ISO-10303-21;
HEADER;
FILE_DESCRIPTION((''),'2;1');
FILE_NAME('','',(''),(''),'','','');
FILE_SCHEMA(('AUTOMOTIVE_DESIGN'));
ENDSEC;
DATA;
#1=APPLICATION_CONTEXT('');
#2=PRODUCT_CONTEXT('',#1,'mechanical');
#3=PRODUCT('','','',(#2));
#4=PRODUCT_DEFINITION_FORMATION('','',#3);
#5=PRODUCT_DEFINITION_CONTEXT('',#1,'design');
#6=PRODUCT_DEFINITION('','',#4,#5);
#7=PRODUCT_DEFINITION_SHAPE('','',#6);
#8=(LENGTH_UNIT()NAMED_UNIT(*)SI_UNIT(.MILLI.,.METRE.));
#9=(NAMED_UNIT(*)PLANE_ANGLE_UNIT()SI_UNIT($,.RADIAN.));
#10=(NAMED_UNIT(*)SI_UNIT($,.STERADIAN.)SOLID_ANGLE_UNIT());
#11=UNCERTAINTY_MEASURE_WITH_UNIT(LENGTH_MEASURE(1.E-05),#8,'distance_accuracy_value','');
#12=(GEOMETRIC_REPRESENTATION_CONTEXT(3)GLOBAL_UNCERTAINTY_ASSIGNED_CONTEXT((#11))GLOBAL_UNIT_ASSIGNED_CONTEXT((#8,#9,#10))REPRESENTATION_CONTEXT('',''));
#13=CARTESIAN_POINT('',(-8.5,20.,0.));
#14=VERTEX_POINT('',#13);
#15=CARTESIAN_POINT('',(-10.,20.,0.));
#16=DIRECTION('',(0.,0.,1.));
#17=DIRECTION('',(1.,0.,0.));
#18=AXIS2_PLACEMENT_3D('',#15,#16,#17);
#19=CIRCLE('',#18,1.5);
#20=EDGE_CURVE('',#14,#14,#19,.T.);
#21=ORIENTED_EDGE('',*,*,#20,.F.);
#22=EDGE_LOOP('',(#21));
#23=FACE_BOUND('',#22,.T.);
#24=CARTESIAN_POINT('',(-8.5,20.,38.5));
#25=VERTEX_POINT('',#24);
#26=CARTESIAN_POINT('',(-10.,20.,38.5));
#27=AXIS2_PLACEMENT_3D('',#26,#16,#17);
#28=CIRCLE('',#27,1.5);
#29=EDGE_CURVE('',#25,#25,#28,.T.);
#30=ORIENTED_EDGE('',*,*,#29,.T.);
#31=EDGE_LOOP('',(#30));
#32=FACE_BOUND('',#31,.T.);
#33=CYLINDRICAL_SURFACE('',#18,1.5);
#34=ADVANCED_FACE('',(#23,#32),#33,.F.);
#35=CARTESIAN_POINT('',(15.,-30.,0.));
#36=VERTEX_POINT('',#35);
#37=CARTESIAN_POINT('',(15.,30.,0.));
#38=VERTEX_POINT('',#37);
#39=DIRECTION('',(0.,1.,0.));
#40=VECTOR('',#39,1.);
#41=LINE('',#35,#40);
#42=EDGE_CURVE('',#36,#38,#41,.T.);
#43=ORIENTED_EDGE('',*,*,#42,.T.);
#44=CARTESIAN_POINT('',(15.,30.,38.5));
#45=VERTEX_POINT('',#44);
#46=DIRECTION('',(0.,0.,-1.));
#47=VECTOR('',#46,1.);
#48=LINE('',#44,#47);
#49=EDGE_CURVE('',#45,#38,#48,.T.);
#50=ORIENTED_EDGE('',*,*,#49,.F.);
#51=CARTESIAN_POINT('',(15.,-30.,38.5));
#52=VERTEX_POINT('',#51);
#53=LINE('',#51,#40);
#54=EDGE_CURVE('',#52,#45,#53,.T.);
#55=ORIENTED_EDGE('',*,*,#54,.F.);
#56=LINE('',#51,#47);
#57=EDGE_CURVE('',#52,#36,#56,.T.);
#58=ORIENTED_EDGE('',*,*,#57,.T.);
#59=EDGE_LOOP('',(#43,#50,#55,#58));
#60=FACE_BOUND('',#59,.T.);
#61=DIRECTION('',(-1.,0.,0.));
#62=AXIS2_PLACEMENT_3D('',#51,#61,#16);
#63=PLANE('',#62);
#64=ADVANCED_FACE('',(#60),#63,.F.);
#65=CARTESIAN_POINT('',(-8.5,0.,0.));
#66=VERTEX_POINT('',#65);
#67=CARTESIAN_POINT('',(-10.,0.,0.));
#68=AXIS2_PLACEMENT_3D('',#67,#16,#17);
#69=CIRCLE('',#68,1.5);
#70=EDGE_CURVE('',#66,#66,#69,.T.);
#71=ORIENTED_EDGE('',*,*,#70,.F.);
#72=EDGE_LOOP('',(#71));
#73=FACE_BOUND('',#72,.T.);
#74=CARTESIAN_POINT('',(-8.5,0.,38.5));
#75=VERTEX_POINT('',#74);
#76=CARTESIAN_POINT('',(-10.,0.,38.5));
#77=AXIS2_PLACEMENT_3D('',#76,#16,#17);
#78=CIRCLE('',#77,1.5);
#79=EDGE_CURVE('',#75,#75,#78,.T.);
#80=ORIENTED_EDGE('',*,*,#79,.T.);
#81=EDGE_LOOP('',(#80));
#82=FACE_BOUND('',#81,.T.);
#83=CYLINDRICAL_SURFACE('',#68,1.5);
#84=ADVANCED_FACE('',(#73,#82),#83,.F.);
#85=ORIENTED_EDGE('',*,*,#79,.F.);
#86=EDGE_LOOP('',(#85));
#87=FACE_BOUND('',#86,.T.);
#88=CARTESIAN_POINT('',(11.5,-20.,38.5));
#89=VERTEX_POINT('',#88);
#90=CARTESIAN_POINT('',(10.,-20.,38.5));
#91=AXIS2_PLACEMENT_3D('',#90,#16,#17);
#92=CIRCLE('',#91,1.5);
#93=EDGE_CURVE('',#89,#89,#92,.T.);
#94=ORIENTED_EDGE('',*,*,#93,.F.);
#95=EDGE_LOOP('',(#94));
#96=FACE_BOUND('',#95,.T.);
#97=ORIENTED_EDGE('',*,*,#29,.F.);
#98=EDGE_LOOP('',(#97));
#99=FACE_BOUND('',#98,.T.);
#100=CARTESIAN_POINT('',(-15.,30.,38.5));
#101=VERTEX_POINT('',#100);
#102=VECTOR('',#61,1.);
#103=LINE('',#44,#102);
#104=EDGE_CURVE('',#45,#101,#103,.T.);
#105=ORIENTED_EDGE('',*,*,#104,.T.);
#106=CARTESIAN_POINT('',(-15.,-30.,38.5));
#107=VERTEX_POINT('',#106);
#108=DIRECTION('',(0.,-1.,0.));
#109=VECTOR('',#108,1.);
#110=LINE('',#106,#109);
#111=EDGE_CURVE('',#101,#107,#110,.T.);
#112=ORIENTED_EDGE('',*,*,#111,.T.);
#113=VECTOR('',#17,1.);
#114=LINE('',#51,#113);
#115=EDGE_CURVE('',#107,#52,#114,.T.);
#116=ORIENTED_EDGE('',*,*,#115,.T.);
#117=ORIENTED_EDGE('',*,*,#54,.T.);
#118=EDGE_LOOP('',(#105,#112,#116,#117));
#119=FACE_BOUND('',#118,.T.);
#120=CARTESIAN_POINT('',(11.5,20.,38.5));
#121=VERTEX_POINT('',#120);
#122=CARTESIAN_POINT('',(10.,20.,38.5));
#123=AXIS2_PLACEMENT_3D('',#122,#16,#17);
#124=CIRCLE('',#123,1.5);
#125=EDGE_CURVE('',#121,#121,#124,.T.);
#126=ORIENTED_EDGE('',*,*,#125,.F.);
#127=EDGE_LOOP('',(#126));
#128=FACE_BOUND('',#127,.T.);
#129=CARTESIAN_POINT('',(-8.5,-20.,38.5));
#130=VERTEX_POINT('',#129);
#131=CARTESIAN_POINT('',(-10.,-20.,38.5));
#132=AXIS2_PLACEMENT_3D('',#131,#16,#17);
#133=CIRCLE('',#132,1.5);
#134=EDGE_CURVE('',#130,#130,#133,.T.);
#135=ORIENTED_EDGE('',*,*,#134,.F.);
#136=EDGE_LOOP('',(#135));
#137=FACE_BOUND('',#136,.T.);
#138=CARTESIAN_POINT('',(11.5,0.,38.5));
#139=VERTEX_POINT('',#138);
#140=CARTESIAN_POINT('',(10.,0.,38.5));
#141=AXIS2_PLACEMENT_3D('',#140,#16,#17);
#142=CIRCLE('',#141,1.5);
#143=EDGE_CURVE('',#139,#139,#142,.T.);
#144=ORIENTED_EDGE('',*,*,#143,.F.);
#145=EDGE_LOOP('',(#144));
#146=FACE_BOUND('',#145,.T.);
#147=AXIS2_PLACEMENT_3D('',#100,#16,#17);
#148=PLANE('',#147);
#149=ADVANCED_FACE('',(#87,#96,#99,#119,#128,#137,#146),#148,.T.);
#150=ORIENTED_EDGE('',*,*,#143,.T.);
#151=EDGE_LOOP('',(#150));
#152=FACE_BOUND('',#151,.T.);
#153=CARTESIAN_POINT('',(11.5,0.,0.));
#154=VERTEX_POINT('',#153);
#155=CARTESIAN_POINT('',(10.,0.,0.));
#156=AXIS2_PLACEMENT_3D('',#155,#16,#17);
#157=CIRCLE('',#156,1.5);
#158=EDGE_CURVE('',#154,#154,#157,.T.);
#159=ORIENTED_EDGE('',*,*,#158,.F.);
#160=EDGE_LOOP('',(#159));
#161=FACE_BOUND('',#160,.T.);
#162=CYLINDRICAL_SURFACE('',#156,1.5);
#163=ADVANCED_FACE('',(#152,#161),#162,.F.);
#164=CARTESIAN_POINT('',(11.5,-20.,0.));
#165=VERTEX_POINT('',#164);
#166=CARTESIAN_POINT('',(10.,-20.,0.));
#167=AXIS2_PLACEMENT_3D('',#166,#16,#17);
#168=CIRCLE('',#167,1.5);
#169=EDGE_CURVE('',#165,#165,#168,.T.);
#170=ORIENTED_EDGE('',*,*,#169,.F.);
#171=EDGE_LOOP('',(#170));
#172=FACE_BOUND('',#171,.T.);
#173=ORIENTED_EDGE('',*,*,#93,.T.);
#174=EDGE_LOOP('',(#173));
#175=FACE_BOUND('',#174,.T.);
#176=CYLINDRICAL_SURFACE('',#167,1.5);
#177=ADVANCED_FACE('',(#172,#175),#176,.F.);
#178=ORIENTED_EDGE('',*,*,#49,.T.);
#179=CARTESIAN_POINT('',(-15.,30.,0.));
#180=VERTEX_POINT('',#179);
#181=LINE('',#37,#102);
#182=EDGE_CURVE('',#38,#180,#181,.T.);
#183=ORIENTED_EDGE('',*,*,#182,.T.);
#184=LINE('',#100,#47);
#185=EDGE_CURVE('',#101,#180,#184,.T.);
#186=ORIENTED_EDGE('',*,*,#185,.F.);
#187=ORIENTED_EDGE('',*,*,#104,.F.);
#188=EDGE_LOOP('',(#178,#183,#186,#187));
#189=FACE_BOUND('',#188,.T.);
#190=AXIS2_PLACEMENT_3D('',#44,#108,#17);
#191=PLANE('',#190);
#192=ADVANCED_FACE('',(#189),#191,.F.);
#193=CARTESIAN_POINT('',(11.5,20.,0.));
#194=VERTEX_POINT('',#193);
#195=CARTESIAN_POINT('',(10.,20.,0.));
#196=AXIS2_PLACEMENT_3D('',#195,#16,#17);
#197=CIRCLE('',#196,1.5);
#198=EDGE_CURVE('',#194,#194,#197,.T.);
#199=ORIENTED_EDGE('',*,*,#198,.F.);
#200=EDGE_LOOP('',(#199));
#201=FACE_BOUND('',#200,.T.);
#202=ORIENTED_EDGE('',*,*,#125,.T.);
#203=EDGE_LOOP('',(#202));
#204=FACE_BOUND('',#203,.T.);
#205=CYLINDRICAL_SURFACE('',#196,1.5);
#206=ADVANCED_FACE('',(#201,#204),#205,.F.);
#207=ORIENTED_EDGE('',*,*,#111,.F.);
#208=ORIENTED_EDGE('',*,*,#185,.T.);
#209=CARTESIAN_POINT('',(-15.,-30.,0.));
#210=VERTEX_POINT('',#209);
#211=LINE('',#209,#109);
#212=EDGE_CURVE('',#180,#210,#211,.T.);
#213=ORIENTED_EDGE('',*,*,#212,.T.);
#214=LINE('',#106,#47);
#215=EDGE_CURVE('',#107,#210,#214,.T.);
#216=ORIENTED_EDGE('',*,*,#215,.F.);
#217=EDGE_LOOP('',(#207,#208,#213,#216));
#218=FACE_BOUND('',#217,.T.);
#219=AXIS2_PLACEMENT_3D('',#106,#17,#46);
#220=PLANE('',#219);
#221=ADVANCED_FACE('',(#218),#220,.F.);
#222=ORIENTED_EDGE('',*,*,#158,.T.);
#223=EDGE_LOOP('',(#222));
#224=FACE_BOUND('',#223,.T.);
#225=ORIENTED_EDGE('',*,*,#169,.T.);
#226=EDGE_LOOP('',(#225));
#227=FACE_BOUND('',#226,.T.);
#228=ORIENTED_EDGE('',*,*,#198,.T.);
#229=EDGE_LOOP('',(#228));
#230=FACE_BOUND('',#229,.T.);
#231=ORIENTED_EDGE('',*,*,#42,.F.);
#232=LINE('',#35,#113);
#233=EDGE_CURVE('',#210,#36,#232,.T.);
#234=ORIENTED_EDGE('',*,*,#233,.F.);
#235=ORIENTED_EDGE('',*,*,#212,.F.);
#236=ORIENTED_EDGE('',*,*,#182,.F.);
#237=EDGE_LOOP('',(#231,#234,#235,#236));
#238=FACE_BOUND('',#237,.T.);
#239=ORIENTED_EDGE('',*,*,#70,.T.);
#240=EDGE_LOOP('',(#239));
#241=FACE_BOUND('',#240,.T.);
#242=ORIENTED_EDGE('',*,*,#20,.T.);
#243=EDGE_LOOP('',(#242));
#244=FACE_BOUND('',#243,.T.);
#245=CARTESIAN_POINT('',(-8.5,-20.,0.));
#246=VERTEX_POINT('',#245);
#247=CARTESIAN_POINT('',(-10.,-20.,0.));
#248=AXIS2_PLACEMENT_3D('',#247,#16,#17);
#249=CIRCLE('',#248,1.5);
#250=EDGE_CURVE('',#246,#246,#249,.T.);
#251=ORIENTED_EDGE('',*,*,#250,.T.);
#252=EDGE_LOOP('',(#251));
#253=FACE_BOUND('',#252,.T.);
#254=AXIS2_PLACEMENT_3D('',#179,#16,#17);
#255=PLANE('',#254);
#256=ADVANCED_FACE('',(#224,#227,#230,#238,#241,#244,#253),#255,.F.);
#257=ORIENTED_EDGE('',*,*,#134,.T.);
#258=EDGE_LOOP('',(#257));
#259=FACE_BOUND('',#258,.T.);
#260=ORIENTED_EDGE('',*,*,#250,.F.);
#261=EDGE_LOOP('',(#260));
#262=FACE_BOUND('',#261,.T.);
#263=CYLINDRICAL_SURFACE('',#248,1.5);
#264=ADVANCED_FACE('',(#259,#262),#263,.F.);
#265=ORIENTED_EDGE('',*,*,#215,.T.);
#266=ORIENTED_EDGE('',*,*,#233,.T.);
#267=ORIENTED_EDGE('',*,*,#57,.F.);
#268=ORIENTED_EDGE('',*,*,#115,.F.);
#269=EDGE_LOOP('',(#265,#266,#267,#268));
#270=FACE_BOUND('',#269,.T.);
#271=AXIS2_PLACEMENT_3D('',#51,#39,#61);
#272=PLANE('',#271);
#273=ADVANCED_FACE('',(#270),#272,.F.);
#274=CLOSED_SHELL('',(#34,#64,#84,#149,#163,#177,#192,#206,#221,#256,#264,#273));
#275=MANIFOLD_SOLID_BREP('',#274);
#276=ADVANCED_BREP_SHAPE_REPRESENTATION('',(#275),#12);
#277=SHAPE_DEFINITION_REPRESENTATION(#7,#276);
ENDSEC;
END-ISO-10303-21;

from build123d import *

# Parameters (mm, degrees)
ESQUISSE1_W                     = 30
ESQUISSE1_H                     = 60
EXTRUSION1_DEPTH                = 38.5
ESQUISSE2_R                     = 1.5
EXTRUSION2_DEPTH                = 52.061237744
R_P_TITION_LIN_AIRE1_COUNT      = 3
R_P_TITION_LIN_AIRE1_PITCH      = 20
R_P_TITION_LIN_AIRE1_COUNT_DIR2 = 2
R_P_TITION_LIN_AIRE1_PITCH_DIR2 = 20


with BuildPart() as part:
    # Esquisse1 → Extrusion1 (new body)
    with BuildSketch(Plane.XY):
        Rectangle(ESQUISSE1_W, ESQUISSE1_H)
    extrude(amount=EXTRUSION1_DEPTH)

    # Esquisse2 → Extrusion2 (cut, through all)
    with BuildSketch(Plane.XY.offset(38.5)):
        with Locations((-10, 20)):
            Circle(ESQUISSE2_R)
    extrusion2 = extrude(amount=-EXTRUSION2_DEPTH, mode=Mode.SUBTRACT)

    # Répétition linéaire1: Extrusion2 3 × 2
    with Locations(*[(j * R_P_TITION_LIN_AIRE1_PITCH_DIR2, -i * R_P_TITION_LIN_AIRE1_PITCH, 0) for i in range(R_P_TITION_LIN_AIRE1_COUNT) for j in range(R_P_TITION_LIN_AIRE1_COUNT_DIR2) if (i, j) != (0, 0)]):
        add(extrusion2, mode=Mode.SUBTRACT)


solid = part.part
